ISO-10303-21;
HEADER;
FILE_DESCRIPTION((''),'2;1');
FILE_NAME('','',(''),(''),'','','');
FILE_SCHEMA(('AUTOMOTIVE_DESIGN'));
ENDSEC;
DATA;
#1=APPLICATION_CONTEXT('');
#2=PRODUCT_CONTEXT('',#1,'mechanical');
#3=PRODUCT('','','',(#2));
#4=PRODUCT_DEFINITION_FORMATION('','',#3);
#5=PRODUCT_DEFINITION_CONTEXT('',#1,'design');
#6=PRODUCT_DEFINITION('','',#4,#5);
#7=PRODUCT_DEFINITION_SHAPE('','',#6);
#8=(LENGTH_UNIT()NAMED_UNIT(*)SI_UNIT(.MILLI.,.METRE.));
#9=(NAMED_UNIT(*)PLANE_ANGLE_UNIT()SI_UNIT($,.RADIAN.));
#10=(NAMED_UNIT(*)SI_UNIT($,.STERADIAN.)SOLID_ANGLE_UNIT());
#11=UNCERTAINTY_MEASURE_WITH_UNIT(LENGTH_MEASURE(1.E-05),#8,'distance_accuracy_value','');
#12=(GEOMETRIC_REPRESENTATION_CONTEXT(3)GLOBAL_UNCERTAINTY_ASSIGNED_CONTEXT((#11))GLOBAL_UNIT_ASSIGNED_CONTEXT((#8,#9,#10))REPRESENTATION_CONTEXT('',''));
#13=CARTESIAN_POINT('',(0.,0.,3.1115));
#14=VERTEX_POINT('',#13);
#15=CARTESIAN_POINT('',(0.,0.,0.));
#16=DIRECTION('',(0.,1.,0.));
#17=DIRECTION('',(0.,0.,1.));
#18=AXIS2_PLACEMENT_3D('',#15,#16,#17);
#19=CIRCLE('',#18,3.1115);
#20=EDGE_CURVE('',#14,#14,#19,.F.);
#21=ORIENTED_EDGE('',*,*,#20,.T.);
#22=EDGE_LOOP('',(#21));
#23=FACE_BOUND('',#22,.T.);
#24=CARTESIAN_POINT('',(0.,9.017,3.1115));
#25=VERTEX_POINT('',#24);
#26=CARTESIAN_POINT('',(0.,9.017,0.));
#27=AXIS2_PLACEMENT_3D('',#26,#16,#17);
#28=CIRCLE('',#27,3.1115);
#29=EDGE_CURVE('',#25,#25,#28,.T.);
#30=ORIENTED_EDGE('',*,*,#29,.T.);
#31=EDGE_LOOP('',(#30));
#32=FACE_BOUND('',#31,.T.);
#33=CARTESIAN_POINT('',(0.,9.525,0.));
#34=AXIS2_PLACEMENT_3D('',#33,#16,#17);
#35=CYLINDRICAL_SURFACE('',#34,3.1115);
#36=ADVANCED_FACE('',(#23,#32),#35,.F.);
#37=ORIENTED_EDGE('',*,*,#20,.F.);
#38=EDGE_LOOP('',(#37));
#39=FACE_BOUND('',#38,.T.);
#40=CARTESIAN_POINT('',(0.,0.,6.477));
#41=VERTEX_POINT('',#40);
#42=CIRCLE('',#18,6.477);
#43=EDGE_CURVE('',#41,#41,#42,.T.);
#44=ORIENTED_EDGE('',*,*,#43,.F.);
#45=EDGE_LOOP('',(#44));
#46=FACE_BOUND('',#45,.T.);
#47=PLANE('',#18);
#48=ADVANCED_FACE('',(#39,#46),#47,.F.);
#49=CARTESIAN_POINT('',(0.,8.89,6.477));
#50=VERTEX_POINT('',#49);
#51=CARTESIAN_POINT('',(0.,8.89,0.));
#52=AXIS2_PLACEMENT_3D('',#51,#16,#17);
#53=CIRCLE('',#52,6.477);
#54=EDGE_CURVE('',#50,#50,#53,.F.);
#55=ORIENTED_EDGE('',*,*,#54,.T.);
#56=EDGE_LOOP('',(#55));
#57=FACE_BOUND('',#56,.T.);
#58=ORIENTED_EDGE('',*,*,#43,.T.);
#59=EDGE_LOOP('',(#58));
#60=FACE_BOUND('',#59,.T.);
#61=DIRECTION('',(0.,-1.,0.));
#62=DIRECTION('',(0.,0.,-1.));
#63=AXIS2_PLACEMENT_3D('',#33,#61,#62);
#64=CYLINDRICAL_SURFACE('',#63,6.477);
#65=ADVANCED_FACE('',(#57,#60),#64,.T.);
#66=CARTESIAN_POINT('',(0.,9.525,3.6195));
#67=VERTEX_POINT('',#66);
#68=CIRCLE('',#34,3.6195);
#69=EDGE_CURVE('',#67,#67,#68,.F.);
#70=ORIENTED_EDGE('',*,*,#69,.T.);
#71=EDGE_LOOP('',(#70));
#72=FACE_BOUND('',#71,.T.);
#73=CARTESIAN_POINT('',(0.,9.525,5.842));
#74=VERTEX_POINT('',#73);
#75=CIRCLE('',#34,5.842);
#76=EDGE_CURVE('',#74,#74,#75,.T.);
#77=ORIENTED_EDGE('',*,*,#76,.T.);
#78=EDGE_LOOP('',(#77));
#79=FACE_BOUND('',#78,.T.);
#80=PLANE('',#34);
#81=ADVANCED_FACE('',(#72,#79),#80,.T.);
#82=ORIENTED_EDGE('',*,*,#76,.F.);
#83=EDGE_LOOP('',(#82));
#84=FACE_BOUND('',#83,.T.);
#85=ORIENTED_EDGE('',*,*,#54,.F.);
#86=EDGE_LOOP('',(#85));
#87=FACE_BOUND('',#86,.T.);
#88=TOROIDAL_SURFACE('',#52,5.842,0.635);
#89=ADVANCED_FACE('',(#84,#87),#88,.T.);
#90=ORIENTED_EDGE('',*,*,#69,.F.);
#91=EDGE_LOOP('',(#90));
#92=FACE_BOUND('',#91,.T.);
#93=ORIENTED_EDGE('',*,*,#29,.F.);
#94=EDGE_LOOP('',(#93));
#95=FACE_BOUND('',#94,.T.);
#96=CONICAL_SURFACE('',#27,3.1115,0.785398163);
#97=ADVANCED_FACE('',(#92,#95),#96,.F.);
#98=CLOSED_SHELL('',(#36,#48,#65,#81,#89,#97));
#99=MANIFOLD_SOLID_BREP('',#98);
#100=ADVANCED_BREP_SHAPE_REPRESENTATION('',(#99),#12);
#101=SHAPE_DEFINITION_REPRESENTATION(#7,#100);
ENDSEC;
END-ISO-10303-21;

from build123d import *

# Parameters (mm, degrees)
SKETCH1_R                   = 6.477
BOSS_EXTRUDE1_DEPTH         = 9.525
FILLET1_R                   = 0.635
F_1_4_20_TAPPED_HOLE1_D     = 6.223
F_1_4_20_TAPPED_HOLE1_DEPTH = 9.525
F_1_4_20_TAPPED_HOLE1_TIP   = 1.869577816
CHAMFER1_SIZE               = 0.508


with BuildPart() as part:
    # Sketch1 → Boss-Extrude1 (new body)
    with BuildSketch(Plane(origin=(0, 0, 0), x_dir=(1, 0, 0), z_dir=(0, 1, 0))):
        Circle(SKETCH1_R)
    extrude(amount=BOSS_EXTRUDE1_DEPTH)

    # Fillet1
    fillet1_edges = [part.edges().sort_by_distance(p)[0] for p in [
        (-6.477, 9.525, 0),
    ]]
    fillet(fillet1_edges, radius=FILLET1_R)

    # 1/4-20 Tapped Hole1
    with Locations(Plane(origin=(0, 9.525, 0), x_dir=(1, 0, 0), z_dir=(0, 1, 0))):
        with Locations((0, 0)):
            Hole(F_1_4_20_TAPPED_HOLE1_D / 2, depth=F_1_4_20_TAPPED_HOLE1_DEPTH)
            with Locations((0, 0, -(F_1_4_20_TAPPED_HOLE1_DEPTH + F_1_4_20_TAPPED_HOLE1_TIP / 2))):  # 118° drill point
                Cone(0, F_1_4_20_TAPPED_HOLE1_D / 2, F_1_4_20_TAPPED_HOLE1_TIP, mode=Mode.SUBTRACT)

    # Chamfer1
    chamfer1_edges = [part.edges().sort_by_distance(p)[0] for p in [
        (3.1115, 9.525, 0),
    ]]
    chamfer(chamfer1_edges, length=CHAMFER1_SIZE)


solid = part.part
